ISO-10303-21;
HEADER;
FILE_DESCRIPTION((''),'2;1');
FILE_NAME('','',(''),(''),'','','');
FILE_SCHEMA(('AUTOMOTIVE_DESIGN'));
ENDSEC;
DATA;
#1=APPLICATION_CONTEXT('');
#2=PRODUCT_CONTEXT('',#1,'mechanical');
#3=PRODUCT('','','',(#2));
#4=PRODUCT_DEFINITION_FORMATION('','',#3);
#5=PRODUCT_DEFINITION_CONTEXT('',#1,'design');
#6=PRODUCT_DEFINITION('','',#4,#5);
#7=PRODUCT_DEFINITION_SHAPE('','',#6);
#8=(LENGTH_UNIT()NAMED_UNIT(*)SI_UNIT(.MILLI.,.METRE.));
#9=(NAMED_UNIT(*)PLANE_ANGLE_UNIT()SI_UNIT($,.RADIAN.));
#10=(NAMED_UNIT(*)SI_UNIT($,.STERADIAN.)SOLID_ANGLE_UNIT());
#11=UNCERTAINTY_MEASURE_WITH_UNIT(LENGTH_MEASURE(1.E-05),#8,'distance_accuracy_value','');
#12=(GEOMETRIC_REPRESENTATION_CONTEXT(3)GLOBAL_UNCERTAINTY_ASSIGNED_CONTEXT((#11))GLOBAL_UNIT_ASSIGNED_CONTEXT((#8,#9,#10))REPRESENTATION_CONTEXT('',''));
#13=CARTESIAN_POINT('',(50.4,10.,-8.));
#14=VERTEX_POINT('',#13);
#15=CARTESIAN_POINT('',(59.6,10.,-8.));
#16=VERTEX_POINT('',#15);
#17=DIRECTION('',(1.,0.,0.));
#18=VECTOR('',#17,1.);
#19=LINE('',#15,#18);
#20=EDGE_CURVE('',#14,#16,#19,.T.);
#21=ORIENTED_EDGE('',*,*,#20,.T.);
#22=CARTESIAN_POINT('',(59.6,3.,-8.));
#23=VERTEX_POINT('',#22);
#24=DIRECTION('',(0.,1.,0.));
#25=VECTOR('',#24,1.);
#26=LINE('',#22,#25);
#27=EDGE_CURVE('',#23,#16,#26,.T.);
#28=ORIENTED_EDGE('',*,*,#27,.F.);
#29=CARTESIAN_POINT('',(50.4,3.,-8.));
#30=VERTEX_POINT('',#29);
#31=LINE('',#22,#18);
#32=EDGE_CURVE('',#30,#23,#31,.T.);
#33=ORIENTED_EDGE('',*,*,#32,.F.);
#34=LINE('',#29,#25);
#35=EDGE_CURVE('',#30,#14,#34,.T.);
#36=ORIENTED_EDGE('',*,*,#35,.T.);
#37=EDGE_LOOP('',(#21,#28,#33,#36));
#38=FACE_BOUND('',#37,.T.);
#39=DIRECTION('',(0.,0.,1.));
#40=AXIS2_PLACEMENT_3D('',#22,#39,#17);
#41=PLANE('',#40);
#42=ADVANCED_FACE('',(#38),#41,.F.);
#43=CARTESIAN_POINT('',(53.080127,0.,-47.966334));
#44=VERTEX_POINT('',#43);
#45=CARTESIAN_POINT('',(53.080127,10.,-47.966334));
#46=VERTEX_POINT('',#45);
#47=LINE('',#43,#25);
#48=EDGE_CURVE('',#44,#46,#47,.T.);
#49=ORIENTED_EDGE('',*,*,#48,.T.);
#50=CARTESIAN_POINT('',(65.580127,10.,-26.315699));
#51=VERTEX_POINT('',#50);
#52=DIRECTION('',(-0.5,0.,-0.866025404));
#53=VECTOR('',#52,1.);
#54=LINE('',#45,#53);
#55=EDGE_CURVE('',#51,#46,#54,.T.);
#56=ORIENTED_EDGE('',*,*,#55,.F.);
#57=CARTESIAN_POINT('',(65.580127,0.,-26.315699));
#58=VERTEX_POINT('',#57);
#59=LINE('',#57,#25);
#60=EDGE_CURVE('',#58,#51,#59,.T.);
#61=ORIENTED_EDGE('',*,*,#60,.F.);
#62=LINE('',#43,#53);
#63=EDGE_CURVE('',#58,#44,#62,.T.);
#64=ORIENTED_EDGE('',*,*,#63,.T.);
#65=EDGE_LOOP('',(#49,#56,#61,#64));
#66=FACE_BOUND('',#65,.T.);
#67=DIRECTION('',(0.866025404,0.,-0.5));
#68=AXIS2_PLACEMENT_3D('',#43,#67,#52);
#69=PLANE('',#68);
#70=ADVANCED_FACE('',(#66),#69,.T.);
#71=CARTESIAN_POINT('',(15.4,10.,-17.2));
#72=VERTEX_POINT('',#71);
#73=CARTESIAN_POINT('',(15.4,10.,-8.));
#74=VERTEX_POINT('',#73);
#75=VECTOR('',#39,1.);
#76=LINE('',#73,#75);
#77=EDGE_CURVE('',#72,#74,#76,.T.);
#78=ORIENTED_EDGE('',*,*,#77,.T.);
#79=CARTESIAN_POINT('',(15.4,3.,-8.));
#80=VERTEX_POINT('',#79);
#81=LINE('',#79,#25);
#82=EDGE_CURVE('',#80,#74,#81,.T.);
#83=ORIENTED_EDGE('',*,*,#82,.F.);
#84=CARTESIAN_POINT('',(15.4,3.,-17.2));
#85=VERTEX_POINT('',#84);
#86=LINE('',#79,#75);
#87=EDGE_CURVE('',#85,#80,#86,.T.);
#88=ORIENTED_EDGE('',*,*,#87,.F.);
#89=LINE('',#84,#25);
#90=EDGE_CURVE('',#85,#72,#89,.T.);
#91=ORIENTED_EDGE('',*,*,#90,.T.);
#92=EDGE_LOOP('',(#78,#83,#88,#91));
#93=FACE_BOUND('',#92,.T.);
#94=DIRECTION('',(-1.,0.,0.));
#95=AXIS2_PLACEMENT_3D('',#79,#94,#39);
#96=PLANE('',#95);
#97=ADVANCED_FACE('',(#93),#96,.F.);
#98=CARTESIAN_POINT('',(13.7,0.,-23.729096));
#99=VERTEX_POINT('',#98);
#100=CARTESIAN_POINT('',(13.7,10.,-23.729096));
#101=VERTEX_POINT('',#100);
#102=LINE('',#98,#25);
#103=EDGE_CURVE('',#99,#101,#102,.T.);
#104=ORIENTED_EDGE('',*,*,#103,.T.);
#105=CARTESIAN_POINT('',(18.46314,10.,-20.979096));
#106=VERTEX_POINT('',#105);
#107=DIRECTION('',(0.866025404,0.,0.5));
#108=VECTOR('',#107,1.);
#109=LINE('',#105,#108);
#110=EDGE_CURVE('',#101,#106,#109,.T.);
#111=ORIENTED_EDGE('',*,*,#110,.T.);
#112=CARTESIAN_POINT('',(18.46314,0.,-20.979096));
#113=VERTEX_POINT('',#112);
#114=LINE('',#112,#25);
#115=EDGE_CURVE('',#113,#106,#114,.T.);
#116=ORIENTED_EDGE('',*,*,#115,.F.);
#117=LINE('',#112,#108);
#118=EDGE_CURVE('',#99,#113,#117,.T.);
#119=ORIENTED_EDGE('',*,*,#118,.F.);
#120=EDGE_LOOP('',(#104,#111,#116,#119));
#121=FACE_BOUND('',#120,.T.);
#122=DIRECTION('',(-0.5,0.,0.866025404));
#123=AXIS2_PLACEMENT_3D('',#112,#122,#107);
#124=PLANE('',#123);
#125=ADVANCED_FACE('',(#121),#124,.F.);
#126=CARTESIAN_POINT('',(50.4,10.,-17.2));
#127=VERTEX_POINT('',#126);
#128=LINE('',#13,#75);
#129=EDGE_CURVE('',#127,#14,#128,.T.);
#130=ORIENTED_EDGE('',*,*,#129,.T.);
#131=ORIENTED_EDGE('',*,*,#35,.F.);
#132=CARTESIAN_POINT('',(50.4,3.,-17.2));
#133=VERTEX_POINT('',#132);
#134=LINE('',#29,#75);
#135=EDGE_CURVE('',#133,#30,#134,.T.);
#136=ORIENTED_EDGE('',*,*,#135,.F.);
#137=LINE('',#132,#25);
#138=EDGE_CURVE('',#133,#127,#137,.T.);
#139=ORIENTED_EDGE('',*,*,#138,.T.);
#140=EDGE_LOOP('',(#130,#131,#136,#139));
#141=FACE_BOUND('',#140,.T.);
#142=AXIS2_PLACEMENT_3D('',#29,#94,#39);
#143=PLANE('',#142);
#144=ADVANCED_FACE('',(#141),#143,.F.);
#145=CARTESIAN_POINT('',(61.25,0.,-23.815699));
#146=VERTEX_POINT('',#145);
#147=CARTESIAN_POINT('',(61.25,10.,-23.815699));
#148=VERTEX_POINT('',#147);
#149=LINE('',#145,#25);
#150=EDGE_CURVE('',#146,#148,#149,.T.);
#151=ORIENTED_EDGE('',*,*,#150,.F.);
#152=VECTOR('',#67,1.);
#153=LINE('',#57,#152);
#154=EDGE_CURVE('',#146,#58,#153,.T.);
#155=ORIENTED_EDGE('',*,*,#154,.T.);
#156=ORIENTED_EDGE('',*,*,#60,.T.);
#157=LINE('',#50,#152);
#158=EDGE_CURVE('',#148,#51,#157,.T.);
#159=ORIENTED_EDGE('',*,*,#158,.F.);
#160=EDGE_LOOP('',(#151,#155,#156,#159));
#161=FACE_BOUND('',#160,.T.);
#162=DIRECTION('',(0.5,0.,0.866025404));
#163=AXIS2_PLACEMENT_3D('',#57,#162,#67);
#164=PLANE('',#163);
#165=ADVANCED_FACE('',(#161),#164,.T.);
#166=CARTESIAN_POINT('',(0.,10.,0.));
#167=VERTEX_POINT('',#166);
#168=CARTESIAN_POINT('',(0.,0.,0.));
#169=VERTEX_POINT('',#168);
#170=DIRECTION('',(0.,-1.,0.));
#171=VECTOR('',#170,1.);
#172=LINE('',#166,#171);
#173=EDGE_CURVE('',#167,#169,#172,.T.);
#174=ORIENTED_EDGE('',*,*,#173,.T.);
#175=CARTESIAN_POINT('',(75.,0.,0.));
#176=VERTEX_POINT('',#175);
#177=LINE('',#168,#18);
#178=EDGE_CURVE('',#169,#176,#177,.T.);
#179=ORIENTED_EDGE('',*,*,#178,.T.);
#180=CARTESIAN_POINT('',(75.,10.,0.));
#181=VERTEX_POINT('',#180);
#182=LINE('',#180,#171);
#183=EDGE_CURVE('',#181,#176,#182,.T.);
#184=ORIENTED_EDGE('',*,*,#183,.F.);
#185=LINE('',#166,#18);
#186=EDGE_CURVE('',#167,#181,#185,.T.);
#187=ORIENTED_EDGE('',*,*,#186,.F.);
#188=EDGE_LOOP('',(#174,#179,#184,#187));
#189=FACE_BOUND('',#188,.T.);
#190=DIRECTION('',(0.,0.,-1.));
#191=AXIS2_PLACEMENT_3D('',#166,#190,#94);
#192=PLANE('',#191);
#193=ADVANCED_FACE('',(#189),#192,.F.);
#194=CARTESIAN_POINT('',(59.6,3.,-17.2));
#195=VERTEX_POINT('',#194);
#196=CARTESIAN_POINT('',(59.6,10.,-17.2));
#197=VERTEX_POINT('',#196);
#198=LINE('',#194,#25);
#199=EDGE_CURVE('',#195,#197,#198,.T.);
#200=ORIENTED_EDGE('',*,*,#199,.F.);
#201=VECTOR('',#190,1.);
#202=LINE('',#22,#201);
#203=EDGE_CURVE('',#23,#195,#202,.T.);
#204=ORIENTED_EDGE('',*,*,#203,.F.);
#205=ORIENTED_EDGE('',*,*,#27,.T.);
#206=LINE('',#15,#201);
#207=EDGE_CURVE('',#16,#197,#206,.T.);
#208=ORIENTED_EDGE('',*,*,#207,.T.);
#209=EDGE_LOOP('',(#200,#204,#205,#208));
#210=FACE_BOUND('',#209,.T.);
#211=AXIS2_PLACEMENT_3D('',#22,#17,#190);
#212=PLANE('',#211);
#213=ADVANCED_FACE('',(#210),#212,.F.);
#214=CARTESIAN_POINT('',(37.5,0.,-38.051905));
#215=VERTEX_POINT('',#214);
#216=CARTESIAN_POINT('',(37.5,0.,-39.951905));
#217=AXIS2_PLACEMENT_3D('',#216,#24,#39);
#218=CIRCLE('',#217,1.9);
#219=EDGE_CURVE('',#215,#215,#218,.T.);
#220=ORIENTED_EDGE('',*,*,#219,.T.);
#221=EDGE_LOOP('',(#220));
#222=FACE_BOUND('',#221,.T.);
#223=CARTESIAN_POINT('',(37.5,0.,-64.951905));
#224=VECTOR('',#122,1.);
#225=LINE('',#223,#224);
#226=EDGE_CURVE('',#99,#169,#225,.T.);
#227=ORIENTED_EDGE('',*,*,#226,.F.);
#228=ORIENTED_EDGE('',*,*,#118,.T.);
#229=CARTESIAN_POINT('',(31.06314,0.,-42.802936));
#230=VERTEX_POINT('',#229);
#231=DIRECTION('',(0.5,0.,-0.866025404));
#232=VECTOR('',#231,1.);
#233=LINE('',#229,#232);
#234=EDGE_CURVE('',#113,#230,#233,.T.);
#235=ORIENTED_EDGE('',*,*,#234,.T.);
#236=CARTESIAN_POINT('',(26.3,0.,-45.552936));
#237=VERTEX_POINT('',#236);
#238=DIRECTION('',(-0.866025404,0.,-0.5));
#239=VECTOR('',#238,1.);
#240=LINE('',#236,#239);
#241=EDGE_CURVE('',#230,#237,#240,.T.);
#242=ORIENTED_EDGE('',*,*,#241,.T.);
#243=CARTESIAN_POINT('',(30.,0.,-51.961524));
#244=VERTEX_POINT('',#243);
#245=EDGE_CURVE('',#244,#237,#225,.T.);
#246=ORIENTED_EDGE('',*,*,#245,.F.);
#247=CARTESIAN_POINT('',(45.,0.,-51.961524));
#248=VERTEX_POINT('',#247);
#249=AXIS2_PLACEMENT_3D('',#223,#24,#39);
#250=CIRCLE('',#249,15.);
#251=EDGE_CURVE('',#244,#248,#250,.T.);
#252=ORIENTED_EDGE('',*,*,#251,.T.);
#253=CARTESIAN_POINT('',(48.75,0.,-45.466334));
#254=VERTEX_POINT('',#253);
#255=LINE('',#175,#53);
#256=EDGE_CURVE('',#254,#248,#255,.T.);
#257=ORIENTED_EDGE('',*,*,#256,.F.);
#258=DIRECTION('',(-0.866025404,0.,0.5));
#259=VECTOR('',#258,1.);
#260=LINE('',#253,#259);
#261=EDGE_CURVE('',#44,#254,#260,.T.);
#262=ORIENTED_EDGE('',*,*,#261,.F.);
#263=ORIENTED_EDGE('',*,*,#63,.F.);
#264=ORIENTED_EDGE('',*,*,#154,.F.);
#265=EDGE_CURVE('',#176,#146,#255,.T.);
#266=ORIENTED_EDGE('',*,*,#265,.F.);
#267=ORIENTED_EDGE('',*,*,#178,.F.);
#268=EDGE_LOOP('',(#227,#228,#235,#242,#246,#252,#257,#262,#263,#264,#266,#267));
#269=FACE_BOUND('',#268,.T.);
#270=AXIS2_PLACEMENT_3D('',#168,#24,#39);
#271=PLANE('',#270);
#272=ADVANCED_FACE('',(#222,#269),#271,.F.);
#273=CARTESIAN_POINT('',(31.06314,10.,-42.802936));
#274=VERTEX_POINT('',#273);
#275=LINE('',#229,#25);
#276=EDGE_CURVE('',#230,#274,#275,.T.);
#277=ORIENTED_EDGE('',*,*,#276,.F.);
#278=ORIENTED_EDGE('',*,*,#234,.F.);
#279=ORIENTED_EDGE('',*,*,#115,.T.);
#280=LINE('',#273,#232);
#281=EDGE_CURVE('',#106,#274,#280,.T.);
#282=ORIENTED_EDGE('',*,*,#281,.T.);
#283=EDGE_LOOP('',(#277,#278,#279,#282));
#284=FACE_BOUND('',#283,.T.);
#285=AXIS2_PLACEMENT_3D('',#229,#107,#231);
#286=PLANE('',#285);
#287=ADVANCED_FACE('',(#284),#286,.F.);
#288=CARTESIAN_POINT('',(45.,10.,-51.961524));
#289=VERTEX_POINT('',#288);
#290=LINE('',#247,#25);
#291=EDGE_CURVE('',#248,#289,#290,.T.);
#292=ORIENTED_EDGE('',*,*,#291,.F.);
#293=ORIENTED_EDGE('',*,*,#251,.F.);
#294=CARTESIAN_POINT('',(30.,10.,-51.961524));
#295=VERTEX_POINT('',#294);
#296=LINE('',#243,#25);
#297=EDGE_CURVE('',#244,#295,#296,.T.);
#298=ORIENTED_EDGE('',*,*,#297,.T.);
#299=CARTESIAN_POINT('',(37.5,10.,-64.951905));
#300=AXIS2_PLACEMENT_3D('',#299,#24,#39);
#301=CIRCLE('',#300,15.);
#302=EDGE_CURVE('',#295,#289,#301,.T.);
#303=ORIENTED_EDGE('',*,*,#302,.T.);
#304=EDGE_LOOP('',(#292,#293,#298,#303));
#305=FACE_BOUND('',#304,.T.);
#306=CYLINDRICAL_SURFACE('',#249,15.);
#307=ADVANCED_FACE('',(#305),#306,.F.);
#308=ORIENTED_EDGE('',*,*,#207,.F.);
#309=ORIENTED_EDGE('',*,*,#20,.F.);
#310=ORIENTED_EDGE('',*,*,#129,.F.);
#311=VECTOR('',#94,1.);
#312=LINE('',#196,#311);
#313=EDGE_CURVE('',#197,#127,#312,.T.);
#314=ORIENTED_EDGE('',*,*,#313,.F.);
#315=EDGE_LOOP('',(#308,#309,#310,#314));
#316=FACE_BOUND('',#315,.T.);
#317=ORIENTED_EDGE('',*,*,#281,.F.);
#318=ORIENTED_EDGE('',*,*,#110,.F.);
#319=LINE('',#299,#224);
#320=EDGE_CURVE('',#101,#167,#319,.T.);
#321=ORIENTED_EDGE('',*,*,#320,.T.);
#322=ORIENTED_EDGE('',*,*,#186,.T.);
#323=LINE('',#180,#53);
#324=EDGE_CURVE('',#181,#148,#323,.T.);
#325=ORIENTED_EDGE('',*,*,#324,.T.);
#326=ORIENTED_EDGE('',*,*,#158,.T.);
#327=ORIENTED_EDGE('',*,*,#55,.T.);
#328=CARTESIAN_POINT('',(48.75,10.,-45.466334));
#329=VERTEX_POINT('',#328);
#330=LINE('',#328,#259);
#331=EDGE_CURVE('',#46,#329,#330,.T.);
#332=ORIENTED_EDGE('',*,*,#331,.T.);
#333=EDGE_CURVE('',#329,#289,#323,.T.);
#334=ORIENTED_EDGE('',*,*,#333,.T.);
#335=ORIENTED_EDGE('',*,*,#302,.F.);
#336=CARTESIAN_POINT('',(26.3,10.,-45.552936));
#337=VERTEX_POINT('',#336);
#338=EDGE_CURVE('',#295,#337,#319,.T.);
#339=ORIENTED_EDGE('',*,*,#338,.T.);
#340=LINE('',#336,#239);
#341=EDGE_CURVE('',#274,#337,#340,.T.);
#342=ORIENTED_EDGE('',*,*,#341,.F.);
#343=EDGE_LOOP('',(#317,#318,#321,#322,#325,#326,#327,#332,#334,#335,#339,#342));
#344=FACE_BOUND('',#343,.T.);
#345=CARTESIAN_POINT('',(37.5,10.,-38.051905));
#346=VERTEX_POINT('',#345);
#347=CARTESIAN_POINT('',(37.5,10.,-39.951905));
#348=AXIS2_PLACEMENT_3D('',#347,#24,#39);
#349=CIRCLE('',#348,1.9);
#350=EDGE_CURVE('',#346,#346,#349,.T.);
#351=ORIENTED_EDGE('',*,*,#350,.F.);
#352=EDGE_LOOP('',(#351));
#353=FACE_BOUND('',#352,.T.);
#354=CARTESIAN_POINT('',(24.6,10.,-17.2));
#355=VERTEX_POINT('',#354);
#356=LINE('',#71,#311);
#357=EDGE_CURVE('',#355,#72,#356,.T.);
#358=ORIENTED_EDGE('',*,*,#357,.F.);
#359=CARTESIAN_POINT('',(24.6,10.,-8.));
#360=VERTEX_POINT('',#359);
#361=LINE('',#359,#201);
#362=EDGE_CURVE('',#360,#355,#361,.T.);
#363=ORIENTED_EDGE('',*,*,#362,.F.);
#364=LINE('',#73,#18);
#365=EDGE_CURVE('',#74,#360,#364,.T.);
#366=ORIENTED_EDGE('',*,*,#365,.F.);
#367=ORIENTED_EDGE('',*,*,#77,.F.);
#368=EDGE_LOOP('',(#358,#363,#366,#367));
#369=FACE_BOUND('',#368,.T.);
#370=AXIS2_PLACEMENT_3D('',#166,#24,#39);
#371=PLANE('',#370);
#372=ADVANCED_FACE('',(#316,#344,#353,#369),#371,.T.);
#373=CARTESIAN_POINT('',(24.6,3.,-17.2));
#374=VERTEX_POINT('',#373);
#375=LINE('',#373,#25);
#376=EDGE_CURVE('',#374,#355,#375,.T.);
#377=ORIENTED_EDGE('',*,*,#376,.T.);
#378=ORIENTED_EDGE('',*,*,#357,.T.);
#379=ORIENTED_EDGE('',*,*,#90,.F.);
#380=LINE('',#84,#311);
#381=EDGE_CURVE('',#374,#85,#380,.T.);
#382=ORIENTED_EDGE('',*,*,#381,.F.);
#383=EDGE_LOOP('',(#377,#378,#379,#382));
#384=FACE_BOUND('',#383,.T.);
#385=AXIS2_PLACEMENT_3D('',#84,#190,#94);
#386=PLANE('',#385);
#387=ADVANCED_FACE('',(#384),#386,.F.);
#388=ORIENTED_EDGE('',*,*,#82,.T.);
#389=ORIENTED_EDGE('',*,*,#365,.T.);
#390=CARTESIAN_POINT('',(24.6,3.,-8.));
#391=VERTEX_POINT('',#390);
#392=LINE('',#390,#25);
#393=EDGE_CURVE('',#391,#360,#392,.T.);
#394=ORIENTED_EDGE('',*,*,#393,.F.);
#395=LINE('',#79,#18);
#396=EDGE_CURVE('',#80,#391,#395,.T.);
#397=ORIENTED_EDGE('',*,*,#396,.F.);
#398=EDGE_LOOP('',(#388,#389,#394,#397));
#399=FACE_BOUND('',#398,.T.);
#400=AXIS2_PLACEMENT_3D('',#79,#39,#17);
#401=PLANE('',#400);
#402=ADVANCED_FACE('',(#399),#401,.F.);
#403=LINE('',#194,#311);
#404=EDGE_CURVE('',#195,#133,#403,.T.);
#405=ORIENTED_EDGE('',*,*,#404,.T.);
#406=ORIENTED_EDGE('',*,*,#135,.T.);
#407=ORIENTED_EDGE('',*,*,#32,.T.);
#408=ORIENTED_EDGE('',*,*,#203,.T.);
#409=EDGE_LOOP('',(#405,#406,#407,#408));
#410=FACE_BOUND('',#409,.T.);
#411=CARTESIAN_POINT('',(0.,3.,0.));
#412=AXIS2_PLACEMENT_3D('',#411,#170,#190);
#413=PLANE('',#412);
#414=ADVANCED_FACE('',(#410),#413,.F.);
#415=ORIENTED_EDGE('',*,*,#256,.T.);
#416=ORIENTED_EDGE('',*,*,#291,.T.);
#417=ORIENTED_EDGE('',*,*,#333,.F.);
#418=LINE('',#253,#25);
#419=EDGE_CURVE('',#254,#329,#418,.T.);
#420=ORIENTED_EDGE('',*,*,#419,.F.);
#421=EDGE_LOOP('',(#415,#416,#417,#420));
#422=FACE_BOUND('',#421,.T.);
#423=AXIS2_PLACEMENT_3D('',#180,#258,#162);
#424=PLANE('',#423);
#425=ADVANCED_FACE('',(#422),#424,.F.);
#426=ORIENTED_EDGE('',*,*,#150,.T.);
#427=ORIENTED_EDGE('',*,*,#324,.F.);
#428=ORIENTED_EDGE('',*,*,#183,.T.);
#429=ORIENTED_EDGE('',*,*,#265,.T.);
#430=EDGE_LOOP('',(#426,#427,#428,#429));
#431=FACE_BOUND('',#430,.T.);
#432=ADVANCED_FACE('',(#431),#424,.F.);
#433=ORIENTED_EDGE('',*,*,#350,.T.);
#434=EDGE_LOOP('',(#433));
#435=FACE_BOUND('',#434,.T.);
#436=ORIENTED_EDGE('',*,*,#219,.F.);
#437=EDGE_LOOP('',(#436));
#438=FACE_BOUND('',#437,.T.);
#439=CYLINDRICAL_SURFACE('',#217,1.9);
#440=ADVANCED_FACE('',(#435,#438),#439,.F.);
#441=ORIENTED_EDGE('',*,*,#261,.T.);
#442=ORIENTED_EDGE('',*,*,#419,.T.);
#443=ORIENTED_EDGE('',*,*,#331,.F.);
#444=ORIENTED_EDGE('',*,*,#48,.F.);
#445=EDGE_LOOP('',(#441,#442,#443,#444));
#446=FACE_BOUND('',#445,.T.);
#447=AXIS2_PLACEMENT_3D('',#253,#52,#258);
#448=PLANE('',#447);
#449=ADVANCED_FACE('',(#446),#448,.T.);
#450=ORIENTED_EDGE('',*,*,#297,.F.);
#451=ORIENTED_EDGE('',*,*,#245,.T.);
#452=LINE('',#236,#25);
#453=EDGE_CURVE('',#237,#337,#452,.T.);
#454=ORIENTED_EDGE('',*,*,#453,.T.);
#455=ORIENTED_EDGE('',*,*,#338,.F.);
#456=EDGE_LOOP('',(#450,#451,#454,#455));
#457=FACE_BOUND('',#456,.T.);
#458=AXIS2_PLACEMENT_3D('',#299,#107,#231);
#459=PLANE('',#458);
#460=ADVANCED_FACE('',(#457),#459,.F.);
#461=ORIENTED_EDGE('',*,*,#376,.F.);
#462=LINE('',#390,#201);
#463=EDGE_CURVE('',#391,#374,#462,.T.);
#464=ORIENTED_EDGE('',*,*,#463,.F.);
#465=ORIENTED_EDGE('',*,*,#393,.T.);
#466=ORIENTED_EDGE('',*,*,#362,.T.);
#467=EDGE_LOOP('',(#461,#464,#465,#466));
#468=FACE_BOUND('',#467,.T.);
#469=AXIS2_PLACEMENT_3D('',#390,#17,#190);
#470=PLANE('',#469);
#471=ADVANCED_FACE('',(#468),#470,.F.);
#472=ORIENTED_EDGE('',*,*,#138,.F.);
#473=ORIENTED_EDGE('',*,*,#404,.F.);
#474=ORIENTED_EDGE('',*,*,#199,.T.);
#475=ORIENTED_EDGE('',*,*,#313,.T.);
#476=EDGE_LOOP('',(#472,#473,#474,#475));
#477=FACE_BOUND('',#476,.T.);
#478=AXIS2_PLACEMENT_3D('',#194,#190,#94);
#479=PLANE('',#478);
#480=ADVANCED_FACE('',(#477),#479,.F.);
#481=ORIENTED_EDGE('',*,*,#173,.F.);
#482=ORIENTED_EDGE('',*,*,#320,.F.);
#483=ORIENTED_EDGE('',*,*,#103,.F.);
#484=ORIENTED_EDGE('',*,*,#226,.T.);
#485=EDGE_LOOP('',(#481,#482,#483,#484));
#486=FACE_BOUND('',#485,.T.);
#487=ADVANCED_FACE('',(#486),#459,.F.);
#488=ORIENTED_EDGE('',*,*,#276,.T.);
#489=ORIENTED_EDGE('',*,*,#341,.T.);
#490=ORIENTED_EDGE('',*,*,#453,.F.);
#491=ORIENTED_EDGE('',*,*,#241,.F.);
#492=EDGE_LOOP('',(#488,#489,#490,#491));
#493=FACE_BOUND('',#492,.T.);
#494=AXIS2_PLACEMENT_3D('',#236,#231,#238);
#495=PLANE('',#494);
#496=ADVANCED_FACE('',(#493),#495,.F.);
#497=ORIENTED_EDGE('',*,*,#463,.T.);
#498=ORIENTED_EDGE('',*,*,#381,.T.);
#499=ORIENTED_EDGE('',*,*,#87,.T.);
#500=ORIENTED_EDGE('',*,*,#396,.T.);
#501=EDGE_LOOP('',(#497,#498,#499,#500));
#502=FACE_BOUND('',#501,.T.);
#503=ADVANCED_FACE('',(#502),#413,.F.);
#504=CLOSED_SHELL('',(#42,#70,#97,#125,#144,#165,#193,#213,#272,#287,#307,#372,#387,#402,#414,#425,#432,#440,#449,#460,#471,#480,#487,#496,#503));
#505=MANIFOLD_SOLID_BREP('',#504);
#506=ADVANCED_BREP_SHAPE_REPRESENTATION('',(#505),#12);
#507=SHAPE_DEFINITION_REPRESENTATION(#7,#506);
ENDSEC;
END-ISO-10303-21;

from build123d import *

# Parameters (mm, degrees)
BOSS_EXTRUDE1_DEPTH = 10
SKETCH2_W           = 9.2
SKETCH2_H           = 9.2
CUT_EXTRUDE1_DEPTH  = 7
CUT_EXTRUDE2_DEPTH  = 11
BOSS_EXTRUDE2_DEPTH = 10
SKETCH5_R           = 1.9
CUT_EXTRUDE3_DEPTH  = 11


with BuildPart() as part:
    # Sketch1 → Boss-Extrude1 (new body)
    with BuildSketch(Plane(origin=(0, 0, 0), x_dir=(1, 0, 0), z_dir=(0, 1, 0))):
        Polygon((0, 0), (75, 0), (37.5, 64.951905284), align=None)
    extrude(amount=BOSS_EXTRUDE1_DEPTH)

    # Sketch2 → Cut-Extrude1 (cut)
    with BuildSketch(Plane(origin=(0, 10, 0), x_dir=(1, 0, 0), z_dir=(0, 1, 0))):
        with Locations((55, 12.6)):
            Rectangle(SKETCH2_W, SKETCH2_H)
        with Locations((20, 12.6)):
            Rectangle(SKETCH2_W, SKETCH2_H)
    extrude(amount=-CUT_EXTRUDE1_DEPTH, mode=Mode.SUBTRACT)

    # Sketch3 → Cut-Extrude2 (cut, through all)
    with BuildSketch(Plane(origin=(0, 10, 0), x_dir=(1, 0, 0), z_dir=(0, 1, 0))):
        Polygon((18.75, 32.475952642), (26.3, 45.552936239), (31.063139721, 42.802936239), (18.463139721, 20.979096064), (13.7, 23.729096064), align=None)
    extrude(amount=-CUT_EXTRUDE2_DEPTH, mode=Mode.SUBTRACT)

    # Sketch4 → Boss-Extrude2 (add)
    with BuildSketch(Plane(origin=(0, 10, 0), x_dir=(1, 0, 0), z_dir=(0, 1, 0))):
        Polygon((56.25, 32.475952642), (48.75, 45.466333699), (53.080127019, 47.966333699), (65.580127019, 26.315698604), (61.25, 23.815698604), align=None)
    extrude(amount=-BOSS_EXTRUDE2_DEPTH)

    # Sketch5 → Cut-Extrude3 (cut, through all)
    with BuildSketch(Plane(origin=(0, 10, 0), x_dir=(1, 0, 0), z_dir=(0, 1, 0))):
        with Locations((37.5, 39.951905284)):
            Circle(SKETCH5_R)
        with BuildLine():
            Line((30, 51.961524227), (37.5, 64.951905284))
            Line((37.5, 64.951905284), (45, 51.961524227))
            ThreePointArc((45, 51.961524227), (37.5, 49.951905284), (30, 51.961524227))
        make_face()
    extrude(amount=-CUT_EXTRUDE3_DEPTH, mode=Mode.SUBTRACT)


solid = part.part
